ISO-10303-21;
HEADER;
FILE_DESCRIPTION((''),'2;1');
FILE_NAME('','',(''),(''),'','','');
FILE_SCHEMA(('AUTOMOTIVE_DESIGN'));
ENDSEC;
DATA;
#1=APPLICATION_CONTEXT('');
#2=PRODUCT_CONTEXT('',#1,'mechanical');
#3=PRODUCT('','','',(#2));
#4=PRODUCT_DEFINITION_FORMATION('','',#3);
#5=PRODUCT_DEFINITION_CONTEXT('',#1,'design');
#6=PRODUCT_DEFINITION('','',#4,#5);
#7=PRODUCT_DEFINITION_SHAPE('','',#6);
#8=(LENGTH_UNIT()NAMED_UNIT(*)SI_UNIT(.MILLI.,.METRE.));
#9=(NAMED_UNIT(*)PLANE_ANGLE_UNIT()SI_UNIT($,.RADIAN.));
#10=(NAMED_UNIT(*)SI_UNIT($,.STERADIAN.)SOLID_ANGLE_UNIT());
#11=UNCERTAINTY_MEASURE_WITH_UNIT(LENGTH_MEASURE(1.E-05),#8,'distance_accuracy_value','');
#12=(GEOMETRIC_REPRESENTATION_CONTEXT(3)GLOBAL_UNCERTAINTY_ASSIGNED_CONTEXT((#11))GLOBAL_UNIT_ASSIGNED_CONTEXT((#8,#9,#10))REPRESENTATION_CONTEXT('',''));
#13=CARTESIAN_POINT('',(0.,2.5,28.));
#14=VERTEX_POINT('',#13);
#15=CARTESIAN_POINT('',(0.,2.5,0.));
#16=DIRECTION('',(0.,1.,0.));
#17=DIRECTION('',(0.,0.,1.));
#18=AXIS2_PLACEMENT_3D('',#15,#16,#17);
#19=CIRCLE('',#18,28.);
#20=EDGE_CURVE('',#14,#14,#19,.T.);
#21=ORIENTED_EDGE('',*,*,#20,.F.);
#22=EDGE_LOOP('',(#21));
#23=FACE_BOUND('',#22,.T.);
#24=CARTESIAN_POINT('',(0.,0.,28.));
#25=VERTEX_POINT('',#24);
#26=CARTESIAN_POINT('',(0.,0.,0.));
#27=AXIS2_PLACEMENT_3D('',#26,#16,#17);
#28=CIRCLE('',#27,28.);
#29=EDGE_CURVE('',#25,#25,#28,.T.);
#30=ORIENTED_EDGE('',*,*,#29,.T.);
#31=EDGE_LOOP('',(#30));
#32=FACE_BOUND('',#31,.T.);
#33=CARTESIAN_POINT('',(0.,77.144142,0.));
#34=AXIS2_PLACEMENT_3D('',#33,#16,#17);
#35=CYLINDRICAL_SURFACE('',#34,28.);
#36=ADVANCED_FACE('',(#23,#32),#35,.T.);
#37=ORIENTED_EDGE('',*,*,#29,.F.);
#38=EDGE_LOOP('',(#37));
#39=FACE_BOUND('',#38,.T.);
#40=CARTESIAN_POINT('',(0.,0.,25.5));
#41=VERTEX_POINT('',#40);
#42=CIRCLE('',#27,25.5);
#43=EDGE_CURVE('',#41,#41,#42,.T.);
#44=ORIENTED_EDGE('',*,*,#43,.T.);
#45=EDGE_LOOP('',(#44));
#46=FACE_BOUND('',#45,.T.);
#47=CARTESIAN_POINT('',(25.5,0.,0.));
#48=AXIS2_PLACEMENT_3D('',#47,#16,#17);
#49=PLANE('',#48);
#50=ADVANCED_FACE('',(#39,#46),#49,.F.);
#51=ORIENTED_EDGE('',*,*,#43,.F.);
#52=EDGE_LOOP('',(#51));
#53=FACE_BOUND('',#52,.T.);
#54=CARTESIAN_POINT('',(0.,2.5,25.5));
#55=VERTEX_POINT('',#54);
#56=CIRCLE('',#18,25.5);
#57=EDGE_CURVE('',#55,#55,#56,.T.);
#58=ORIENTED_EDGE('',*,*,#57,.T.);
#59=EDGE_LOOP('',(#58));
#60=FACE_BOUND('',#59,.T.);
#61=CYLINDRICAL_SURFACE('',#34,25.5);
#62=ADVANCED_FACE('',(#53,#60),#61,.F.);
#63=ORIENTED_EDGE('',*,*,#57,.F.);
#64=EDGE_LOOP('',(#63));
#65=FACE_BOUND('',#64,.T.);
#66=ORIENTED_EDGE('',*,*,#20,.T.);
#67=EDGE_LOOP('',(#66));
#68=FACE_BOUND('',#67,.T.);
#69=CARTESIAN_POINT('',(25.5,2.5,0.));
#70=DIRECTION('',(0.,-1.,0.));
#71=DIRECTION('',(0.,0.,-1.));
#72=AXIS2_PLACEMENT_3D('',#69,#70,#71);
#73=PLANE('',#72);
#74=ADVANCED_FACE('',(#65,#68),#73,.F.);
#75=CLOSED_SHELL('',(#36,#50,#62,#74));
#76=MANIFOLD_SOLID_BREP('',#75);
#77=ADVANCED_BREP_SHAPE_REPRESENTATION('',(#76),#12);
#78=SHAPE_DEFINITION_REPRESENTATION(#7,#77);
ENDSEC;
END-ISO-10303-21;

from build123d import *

# Parameters (mm, degrees)
SKETCH_1_W = 2.5
SKETCH_1_H = 2.5


with BuildPart() as part:
    # 草图1 → 旋转1 (revolve)
    with BuildSketch(Plane.XY, mode=Mode.PRIVATE) as revolve_1_sk:
        with Locations((26.75, 1.25)):
            Rectangle(SKETCH_1_W, SKETCH_1_H)
    revolve(revolve_1_sk.sketch.rotate(Axis((0, 77.144142266, 0), (0, -1, 0)), 90), axis=Axis((0, 77.144142266, 0), (0, -1, 0)))  # turned: the seam where the file's is


solid = part.part
